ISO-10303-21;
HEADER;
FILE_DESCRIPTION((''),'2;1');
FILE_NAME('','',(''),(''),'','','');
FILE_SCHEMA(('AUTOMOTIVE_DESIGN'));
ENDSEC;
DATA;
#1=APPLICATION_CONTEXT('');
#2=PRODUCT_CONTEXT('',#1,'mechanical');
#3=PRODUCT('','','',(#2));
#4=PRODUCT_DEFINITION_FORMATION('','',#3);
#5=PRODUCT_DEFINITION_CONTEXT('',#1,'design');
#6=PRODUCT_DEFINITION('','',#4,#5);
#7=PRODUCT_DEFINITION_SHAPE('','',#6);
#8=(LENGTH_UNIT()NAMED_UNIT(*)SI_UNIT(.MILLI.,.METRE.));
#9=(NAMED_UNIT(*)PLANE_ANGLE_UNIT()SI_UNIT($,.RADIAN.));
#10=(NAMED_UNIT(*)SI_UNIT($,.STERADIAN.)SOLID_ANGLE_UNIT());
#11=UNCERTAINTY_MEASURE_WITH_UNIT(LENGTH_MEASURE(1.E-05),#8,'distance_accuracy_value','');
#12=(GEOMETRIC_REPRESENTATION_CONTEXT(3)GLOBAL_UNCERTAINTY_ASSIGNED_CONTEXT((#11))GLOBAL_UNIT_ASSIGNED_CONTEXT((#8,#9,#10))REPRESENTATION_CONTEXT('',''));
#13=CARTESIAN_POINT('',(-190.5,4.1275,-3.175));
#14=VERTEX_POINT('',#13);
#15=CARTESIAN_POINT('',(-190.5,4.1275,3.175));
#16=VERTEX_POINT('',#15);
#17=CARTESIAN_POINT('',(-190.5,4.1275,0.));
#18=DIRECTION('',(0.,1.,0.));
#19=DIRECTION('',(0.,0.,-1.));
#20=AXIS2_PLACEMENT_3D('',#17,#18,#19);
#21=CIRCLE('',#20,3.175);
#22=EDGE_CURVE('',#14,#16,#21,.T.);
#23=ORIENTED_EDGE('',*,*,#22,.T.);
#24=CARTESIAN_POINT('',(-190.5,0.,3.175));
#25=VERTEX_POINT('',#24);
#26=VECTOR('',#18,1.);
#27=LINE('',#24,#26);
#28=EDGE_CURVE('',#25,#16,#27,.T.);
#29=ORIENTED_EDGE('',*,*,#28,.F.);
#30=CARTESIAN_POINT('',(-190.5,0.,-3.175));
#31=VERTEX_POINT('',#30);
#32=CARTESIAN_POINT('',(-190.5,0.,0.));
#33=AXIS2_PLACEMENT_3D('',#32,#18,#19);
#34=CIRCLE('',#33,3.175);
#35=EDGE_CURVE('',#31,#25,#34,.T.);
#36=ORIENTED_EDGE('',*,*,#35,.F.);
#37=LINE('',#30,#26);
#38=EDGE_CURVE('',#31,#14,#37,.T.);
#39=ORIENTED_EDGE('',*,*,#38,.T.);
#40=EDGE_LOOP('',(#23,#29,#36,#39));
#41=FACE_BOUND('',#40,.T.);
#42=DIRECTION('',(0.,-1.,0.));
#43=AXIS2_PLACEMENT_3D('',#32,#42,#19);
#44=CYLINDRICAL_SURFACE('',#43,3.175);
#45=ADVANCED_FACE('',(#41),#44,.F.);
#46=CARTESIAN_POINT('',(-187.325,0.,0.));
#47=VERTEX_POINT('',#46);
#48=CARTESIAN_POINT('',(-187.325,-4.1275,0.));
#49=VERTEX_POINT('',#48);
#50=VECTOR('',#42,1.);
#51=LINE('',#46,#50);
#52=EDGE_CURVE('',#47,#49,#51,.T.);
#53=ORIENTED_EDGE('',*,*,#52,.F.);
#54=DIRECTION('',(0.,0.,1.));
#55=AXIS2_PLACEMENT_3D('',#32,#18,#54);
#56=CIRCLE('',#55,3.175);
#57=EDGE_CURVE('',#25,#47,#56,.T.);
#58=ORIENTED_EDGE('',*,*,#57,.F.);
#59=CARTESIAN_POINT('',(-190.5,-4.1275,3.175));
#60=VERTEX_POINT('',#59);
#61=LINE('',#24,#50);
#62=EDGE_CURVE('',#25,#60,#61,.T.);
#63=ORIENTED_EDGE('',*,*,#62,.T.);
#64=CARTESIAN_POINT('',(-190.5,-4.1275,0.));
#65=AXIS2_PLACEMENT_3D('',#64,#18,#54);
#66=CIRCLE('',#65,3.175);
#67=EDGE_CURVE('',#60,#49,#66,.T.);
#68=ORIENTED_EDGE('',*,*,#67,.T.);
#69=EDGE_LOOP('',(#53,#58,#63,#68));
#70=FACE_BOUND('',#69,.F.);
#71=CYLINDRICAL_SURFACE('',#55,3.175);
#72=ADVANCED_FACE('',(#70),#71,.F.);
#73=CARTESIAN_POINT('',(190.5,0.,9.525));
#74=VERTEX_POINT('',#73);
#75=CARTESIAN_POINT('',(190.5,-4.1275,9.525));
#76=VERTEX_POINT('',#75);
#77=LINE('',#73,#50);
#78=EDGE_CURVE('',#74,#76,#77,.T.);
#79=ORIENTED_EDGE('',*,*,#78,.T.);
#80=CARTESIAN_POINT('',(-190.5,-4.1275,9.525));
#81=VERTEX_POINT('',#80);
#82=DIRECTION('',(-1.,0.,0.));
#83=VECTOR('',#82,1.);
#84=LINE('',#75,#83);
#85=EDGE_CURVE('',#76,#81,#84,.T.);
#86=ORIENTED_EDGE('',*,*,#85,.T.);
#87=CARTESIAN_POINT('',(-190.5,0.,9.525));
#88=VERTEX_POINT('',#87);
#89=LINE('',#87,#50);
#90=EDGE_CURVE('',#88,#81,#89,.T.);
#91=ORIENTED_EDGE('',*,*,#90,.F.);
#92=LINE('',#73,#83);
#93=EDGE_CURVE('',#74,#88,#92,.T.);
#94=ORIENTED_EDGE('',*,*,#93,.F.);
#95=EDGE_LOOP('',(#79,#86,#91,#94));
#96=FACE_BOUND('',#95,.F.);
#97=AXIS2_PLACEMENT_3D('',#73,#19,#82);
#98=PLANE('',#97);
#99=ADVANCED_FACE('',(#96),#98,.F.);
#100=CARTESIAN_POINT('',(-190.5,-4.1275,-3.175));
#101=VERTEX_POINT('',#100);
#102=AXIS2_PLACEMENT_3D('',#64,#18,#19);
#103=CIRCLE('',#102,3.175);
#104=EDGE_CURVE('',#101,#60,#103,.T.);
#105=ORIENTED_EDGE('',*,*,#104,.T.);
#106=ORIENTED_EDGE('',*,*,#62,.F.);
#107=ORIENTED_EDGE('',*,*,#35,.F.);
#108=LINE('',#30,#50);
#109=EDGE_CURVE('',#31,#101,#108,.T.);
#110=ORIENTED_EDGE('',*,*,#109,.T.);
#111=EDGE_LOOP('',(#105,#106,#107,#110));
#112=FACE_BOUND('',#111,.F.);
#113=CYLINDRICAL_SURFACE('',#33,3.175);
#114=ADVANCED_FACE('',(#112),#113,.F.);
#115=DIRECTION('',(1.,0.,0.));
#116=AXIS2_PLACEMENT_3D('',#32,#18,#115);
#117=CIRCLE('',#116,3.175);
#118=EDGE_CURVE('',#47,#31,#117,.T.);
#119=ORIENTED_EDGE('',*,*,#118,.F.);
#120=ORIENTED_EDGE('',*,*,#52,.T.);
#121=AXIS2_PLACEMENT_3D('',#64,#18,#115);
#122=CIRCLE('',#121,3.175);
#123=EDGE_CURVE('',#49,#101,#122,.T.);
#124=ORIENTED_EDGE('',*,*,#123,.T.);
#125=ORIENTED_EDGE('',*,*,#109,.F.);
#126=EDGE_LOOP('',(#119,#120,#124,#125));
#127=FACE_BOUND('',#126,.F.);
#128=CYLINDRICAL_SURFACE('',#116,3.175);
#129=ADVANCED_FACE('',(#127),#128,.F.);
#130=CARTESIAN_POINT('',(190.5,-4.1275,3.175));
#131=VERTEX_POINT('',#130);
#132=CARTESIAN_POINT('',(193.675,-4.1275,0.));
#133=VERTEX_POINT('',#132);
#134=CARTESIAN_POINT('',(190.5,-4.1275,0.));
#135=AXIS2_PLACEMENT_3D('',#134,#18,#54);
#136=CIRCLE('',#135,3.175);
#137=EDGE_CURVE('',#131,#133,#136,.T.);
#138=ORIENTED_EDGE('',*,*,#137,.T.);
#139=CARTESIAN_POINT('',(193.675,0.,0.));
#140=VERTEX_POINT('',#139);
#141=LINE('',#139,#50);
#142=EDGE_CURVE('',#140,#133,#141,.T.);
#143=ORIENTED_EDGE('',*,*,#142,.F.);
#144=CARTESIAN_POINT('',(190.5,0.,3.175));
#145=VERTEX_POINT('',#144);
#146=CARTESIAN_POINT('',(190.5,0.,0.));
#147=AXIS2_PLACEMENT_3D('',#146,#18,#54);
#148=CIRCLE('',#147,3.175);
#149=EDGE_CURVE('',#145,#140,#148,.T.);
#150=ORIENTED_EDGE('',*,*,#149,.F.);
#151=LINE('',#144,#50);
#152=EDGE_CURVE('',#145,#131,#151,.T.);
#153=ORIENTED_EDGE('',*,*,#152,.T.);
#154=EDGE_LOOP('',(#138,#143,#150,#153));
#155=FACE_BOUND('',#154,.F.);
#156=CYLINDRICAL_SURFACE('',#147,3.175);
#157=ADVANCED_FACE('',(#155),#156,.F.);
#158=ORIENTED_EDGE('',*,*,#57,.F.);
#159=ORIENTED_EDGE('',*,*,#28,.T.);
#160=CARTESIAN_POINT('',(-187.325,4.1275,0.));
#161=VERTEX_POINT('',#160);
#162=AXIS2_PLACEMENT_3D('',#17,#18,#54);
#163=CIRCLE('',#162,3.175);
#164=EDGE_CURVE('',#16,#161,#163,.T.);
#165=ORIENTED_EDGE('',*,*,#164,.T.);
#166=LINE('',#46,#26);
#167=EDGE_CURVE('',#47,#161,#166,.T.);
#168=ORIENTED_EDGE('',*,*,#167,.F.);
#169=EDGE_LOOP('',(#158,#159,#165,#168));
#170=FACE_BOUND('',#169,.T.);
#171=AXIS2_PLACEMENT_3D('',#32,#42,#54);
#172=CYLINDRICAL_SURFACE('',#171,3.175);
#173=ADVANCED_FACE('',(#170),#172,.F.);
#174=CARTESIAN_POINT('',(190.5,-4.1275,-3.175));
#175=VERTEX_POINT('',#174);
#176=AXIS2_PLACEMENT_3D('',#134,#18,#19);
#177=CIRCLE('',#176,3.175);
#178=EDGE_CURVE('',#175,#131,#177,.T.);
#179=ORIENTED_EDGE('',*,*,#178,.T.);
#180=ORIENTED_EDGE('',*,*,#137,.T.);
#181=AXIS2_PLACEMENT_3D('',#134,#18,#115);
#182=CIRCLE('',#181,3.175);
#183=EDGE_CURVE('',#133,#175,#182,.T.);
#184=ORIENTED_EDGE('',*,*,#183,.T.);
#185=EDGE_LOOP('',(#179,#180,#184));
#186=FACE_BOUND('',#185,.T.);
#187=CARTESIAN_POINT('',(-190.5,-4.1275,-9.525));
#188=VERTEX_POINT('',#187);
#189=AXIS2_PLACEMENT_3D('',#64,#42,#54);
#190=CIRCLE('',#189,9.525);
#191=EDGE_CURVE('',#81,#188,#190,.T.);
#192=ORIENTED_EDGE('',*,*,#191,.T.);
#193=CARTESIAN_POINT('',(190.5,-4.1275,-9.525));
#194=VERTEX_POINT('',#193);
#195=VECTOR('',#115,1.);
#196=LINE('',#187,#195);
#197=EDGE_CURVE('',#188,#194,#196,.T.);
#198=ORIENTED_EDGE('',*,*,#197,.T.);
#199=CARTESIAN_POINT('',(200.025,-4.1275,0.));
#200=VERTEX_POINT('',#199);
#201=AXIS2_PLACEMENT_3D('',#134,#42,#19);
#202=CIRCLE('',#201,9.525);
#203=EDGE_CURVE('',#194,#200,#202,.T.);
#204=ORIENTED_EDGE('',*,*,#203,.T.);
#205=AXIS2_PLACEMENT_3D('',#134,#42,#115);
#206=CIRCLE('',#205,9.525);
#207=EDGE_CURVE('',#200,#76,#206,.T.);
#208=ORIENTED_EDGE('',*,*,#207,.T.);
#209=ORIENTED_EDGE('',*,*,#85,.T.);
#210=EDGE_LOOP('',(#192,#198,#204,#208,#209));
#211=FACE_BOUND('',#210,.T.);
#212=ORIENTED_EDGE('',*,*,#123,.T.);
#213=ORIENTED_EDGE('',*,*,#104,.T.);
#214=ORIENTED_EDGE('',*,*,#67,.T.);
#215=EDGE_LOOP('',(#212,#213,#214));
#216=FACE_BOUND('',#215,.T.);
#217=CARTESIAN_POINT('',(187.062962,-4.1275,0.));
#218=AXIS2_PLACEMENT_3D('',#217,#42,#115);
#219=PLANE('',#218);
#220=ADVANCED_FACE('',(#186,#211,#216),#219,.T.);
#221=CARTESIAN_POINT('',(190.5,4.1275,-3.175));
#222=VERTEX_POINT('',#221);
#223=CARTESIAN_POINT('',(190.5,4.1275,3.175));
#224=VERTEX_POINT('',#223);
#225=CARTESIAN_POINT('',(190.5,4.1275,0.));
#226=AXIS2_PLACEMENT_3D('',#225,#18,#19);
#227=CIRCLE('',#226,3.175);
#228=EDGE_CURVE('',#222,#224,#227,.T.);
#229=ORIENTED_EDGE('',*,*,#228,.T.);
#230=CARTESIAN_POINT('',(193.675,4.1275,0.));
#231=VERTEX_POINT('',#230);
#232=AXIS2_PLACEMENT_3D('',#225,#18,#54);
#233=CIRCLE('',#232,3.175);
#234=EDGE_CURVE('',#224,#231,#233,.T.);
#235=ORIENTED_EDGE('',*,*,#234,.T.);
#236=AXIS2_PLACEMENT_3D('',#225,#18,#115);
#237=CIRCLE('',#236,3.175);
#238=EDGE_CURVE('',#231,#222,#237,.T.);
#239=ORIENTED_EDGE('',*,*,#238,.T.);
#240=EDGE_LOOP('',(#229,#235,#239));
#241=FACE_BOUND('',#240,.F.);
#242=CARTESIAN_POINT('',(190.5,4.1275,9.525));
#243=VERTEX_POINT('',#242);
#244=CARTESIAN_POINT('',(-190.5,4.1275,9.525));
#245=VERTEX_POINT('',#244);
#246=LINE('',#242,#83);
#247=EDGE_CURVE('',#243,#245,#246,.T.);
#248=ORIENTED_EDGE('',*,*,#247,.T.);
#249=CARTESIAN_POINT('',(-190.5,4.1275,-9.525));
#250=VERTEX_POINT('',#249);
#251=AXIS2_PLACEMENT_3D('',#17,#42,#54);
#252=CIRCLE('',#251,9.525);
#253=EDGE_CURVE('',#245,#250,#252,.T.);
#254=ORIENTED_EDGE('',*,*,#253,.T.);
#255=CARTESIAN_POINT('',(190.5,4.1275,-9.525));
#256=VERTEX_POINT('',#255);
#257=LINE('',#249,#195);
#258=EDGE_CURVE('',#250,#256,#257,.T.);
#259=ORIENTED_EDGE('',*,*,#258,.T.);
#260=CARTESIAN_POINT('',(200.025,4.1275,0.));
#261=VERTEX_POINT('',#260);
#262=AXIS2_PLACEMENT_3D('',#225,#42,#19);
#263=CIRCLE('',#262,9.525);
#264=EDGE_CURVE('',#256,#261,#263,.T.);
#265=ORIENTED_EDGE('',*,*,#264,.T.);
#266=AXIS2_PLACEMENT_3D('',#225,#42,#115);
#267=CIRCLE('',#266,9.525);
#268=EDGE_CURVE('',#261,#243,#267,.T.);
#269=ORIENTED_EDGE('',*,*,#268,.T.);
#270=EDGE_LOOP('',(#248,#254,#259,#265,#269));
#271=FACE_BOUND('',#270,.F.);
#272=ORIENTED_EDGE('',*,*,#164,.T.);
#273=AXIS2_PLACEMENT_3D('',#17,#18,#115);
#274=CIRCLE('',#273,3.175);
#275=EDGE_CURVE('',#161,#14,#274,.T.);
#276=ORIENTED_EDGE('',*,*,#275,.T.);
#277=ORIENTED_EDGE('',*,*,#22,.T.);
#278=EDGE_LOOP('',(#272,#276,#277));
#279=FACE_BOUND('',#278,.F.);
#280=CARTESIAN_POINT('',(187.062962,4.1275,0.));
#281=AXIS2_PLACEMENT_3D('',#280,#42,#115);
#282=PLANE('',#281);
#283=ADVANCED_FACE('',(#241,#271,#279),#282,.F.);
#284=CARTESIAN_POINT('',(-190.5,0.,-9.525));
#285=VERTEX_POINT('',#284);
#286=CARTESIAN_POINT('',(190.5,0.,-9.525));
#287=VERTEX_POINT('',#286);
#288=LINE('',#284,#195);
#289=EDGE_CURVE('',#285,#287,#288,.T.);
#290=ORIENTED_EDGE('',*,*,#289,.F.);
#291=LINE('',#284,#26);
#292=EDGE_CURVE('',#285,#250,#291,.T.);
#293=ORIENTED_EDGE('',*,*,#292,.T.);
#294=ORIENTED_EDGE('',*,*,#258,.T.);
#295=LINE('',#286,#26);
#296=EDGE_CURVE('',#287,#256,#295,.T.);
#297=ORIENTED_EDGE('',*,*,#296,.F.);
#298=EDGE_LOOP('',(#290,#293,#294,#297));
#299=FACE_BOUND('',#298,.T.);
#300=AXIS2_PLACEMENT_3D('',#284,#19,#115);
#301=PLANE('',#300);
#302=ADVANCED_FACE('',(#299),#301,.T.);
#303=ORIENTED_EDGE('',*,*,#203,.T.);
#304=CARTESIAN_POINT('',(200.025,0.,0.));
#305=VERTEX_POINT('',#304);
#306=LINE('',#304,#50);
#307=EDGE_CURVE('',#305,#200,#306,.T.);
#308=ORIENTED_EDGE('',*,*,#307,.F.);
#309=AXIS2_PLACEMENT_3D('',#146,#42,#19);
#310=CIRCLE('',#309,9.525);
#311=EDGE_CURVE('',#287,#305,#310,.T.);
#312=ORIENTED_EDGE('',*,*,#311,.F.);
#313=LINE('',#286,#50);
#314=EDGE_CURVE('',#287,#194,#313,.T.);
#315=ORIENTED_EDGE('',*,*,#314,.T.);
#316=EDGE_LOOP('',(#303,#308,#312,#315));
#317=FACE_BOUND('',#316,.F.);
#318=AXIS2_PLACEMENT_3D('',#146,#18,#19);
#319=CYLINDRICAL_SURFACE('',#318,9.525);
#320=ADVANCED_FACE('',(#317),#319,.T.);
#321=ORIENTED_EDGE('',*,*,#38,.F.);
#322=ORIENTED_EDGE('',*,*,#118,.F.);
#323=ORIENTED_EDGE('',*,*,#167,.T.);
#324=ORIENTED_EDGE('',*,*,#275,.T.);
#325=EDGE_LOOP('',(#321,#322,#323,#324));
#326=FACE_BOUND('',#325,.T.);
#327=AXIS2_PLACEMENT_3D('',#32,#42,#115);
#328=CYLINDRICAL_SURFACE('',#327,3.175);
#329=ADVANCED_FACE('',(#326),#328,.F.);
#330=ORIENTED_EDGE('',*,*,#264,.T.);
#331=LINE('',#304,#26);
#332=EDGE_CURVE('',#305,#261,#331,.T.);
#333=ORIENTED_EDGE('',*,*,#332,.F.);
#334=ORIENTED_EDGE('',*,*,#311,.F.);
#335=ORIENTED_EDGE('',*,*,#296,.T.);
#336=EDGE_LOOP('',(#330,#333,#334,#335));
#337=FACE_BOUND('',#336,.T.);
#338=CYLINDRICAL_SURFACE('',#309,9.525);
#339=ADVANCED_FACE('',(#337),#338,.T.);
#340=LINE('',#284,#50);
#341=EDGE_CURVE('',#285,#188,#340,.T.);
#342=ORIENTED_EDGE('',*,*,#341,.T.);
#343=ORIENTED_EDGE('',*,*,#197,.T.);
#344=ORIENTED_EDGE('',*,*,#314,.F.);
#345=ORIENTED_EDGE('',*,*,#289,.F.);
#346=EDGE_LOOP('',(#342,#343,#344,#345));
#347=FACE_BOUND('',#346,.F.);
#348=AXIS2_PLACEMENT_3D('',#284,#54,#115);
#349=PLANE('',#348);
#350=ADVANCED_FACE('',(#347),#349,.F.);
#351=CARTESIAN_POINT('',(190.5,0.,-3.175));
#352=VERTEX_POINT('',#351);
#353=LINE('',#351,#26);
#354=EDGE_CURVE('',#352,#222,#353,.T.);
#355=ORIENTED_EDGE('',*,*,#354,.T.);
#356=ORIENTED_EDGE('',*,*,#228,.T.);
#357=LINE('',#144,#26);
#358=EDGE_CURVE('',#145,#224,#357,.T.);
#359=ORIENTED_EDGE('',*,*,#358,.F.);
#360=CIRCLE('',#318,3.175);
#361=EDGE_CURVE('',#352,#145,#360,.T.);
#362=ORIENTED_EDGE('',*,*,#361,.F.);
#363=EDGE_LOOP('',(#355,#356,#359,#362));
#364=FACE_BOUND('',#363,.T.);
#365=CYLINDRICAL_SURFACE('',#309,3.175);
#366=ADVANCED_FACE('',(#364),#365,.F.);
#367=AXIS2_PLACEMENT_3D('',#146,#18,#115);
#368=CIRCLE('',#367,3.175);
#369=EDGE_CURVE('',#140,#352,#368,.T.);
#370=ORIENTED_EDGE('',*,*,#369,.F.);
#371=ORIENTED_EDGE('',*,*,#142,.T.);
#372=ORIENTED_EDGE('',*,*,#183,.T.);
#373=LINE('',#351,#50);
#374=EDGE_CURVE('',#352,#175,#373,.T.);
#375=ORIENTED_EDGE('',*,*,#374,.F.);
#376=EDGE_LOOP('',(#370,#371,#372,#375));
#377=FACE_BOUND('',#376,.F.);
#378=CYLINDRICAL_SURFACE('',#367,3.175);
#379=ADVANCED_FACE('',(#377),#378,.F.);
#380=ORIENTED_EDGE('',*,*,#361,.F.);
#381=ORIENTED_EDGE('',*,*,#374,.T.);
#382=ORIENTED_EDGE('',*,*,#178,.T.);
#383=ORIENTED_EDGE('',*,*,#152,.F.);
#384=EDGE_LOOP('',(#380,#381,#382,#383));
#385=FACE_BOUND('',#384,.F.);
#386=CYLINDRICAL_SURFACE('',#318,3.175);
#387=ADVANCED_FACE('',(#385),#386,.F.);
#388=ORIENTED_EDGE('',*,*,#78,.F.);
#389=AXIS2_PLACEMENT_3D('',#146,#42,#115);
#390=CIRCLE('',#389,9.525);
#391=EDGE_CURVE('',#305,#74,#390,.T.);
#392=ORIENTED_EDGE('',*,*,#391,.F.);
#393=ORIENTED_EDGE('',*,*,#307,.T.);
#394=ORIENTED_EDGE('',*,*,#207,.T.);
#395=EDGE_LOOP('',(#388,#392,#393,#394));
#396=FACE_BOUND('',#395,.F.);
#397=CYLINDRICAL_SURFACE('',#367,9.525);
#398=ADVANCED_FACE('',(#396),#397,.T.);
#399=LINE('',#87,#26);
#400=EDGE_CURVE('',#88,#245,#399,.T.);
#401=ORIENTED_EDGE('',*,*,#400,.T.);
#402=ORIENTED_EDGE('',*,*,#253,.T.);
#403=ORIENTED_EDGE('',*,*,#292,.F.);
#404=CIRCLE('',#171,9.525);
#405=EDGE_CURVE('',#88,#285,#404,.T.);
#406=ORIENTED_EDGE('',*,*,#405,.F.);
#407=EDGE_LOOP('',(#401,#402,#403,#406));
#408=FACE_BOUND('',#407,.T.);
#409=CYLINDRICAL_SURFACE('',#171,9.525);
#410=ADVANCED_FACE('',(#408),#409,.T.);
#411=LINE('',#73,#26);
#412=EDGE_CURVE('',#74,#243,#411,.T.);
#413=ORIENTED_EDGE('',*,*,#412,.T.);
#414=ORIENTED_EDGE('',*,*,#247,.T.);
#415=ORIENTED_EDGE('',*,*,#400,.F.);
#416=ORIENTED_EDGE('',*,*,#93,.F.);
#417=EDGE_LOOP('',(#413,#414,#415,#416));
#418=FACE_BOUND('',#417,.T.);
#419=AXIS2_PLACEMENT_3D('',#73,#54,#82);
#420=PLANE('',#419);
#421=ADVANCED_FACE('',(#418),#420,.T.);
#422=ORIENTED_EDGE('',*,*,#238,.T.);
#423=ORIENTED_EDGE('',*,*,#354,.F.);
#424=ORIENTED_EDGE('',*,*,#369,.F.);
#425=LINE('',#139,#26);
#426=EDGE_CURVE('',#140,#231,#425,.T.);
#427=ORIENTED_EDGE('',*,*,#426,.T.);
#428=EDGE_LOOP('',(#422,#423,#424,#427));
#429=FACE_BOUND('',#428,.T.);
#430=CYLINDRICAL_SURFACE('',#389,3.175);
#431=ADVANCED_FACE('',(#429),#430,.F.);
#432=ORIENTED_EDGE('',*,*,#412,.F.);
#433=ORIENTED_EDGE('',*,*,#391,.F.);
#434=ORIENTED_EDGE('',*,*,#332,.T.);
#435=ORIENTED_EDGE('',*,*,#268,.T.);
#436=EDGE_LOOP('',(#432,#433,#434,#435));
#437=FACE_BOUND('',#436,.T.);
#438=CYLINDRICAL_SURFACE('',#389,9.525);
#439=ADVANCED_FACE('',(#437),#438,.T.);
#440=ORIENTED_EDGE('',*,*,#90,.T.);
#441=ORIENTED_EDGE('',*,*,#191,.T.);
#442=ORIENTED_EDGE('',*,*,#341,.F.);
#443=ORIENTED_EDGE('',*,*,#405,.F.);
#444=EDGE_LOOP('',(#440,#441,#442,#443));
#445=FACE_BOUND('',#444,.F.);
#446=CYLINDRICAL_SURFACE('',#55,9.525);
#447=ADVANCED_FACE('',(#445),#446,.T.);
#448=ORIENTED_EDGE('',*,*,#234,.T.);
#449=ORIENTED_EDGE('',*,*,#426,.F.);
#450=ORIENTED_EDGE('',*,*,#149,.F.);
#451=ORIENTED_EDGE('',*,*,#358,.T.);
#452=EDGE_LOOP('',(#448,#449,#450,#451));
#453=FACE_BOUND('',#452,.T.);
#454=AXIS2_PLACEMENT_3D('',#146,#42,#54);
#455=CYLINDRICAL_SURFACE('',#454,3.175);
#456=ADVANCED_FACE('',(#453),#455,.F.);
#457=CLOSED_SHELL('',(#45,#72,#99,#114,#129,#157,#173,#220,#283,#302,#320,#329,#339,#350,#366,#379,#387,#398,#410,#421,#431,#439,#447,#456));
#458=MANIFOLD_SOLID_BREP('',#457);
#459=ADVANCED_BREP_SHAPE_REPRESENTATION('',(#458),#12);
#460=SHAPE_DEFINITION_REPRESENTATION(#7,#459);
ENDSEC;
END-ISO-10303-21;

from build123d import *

# Parameters (mm, degrees)
F1_DEPTH = 4.1275


with BuildPart() as f1:
    # F0 (on Front) → F1 (new body, symmetric)
    with BuildSketch(Plane.XZ):
        with BuildLine():
            ThreePointArc((190.5, 9.525), (180.975, 0), (190.5, -9.525))
            Line((190.5, -9.525), (190.5, -3.175))
            ThreePointArc((190.5, -3.175), (187.325, 0), (190.5, 3.175))
            Line((190.5, 3.175), (190.5, 9.525))
        make_face()
        with BuildLine():
            Line((-190.5, -9.525), (190.5, -9.525))
            ThreePointArc((190.5, -9.525), (180.975, 0), (190.5, 9.525))
            Line((190.5, 9.525), (-190.5, 9.525))
            ThreePointArc((-190.5, 9.525), (-183.7648079092, 6.7351920908), (-180.975, 0))
            ThreePointArc((-180.975, 0), (-183.7648079092, -6.7351920908), (-190.5, -9.525))
        make_face()
        with BuildLine():
            Line((190.5, -3.175), (190.5, -9.525))
            ThreePointArc((190.5, -9.525), (197.2351920908, -6.7351920908), (200.025, 0))
            ThreePointArc((200.025, 0), (197.2351920908, 6.7351920908), (190.5, 9.525))
            Line((190.5, 9.525), (190.5, 3.175))
            ThreePointArc((190.5, 3.175), (192.7450640303, 2.2450640303), (193.675, 0))
            ThreePointArc((193.675, 0), (192.7450640303, -2.2450640303), (190.5, -3.175))
        make_face()
        with BuildLine():
            ThreePointArc((-190.5, 9.525), (-200.025, 0), (-190.5, -9.525))
            Line((-190.5, -9.525), (-190.5, -3.175))
            ThreePointArc((-190.5, -3.175), (-193.675, 0), (-190.5, 3.175))
            Line((-190.5, 3.175), (-190.5, 9.525))
        make_face()
        with BuildLine():
            Line((-190.5, -3.175), (-190.5, -9.525))
            ThreePointArc((-190.5, -9.525), (-183.7648079092, -6.7351920908), (-180.975, 0))
            ThreePointArc((-180.975, 0), (-183.7648079092, 6.7351920908), (-190.5, 9.525))
            Line((-190.5, 9.525), (-190.5, 3.175))
            ThreePointArc((-190.5, 3.175), (-188.2549359697, 2.2450640303), (-187.325, 0))
            ThreePointArc((-187.325, 0), (-188.2549359697, -2.2450640303), (-190.5, -3.175))
        make_face()
    extrude(amount=F1_DEPTH, both=True)


solid = f1.part
